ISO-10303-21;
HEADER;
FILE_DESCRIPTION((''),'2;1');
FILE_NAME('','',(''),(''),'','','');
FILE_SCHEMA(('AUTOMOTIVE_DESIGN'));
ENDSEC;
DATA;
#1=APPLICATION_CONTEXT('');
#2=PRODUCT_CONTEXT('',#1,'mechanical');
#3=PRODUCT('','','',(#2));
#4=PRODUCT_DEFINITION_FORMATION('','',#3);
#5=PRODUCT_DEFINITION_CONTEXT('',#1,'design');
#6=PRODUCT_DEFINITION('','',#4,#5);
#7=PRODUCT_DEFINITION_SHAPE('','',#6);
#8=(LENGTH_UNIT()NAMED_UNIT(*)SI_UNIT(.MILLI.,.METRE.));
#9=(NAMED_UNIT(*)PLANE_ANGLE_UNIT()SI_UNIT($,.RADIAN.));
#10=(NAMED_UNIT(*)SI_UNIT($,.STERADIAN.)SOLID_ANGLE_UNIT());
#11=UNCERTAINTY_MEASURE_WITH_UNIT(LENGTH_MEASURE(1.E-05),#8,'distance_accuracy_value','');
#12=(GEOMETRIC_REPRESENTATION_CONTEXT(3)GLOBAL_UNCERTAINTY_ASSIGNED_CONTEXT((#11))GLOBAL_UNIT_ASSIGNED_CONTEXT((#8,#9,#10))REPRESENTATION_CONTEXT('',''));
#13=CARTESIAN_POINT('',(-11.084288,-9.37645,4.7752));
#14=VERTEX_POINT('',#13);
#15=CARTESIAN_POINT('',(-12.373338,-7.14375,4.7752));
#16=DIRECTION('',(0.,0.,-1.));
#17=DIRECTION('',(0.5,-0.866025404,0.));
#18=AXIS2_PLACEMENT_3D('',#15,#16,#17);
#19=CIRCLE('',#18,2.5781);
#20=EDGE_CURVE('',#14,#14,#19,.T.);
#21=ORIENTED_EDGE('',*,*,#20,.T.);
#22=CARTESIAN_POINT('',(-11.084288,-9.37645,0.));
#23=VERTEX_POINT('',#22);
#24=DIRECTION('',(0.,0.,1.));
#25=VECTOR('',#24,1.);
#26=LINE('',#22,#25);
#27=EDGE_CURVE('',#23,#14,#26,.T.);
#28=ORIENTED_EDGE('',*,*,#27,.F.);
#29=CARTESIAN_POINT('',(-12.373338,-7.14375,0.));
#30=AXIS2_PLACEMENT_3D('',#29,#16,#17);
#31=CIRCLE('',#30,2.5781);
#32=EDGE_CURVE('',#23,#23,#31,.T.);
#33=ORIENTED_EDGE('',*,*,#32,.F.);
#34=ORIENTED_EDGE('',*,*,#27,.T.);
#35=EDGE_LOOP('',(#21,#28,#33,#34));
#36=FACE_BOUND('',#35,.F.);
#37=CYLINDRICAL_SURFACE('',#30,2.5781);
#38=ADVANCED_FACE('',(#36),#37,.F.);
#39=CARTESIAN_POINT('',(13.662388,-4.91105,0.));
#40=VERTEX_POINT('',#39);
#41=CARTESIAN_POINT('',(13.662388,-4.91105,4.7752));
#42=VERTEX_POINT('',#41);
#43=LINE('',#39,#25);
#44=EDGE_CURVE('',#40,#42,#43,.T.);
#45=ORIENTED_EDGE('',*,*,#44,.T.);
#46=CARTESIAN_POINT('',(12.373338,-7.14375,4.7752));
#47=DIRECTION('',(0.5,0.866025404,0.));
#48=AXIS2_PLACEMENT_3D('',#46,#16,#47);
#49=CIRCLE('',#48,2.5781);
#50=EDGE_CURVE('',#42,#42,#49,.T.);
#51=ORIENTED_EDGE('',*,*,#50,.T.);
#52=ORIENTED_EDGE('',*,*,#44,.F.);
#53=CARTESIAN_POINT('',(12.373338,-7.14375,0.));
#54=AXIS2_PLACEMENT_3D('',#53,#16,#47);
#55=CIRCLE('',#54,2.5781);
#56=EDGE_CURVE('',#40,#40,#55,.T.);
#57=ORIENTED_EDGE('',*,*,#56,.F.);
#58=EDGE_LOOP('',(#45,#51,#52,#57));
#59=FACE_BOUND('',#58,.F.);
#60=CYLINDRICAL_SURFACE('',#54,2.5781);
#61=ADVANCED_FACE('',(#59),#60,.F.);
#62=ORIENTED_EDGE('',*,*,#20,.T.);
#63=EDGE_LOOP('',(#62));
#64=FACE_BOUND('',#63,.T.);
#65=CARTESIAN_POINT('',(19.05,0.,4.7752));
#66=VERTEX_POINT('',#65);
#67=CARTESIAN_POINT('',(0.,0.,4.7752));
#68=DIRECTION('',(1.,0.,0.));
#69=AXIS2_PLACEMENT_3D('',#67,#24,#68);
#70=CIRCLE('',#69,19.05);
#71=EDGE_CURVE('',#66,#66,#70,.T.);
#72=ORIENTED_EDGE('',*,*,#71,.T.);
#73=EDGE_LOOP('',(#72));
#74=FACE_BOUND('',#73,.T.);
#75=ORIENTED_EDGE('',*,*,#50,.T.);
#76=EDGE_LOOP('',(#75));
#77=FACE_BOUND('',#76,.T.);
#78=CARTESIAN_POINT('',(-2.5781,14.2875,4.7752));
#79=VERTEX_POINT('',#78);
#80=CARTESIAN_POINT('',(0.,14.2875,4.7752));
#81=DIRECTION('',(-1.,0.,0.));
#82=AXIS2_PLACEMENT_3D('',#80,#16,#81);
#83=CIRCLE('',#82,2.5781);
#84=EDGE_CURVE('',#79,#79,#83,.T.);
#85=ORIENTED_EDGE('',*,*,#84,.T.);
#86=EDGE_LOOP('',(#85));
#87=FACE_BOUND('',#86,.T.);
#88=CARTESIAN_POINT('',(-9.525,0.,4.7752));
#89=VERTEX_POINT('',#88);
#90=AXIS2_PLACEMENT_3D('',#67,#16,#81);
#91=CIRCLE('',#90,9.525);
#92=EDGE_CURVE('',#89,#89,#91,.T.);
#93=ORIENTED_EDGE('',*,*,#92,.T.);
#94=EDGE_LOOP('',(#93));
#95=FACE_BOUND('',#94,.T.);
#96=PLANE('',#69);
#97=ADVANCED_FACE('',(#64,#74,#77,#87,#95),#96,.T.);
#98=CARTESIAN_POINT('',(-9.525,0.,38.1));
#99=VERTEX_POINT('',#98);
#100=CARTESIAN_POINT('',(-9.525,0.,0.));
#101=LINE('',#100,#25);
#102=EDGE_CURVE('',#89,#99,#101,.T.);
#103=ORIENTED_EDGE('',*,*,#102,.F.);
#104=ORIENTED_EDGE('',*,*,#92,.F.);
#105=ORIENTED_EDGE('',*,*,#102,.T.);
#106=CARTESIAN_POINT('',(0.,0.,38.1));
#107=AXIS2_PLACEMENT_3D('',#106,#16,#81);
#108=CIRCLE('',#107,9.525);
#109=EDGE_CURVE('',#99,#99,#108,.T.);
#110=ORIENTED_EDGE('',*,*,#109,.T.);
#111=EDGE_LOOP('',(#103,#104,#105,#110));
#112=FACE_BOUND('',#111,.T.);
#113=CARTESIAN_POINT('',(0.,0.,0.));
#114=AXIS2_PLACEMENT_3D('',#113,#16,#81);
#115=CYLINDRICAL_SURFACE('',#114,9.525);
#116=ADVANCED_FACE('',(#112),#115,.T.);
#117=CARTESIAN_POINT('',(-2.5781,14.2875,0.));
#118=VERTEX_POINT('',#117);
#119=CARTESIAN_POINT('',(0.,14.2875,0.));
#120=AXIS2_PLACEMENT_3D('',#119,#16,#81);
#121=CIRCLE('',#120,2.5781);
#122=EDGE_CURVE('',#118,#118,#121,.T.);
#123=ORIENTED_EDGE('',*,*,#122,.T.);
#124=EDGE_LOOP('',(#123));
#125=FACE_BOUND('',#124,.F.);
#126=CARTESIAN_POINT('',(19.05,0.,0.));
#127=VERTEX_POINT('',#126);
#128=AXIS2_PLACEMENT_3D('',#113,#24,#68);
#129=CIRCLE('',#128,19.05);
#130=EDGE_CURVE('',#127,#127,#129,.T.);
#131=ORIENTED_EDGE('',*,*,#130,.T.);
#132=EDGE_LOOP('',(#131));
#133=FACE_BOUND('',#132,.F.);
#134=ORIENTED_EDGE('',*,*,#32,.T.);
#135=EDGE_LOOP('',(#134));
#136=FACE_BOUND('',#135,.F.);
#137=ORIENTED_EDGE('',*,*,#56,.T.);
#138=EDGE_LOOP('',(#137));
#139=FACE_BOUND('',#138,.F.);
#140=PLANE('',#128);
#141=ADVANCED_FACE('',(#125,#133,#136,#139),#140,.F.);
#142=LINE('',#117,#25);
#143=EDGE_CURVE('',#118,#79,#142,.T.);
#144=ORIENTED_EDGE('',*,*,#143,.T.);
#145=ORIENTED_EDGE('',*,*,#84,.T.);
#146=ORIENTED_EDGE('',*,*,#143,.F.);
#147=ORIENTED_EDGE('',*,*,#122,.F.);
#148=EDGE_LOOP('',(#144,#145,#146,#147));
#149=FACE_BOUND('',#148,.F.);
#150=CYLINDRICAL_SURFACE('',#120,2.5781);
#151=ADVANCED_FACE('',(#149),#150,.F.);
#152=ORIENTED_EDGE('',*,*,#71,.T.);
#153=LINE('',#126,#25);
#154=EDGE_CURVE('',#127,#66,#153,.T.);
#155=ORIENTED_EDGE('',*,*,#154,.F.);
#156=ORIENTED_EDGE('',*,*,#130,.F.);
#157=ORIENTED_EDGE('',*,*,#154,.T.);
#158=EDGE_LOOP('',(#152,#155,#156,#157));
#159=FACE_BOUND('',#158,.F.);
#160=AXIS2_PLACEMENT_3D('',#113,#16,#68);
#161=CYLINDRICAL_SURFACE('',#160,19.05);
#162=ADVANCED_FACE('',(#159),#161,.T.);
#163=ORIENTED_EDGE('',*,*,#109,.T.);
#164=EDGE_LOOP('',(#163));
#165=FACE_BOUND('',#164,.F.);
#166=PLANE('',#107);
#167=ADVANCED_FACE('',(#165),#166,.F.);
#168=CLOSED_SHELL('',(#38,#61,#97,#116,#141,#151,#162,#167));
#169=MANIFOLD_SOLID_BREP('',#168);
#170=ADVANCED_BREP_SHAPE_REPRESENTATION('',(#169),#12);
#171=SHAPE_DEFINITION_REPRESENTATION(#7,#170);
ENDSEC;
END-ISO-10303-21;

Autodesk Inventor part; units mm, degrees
ref_plane "YZ Plane" through (0, 0, 0) normal (1, 0, 0) x (0, 1, 0)
ref_plane "XZ Plane" through (0, 0, 0) normal (0, 1, 0) x (-1, 0, 0)
ref_plane "XY Plane" through (0, 0, 0) normal (0, 0, 1) x (1, 0, 0)
sketch "Sketch1" plane through (0, 0, 0) normal (0, 0, 1) x (1, 0, 0)
  circle A0 centre (0, 0) radius 19.05
  dimension "d0" = 38.1
extrude "Extrusion1" add sketch "Sketch1" along normal blind 4.7752
sketch "Sketch2" plane through (0, 0, 0) normal (0, 0, -1) x (-1, 0, 0)
  circle A0 centre (0, 0) radius 19.05 projected
  circle A1 centre (0, 0) radius 9.525
  dimension "d5" = 19.05
extrude "Extrusion2" add sketch "Sketch2" against normal blind 38.1 contours A1
sketch "Sketch3" plane through (0, 0, 0) normal (0, 0, -1) x (-1, 0, 0)
  circle A0 centre (0, 0) radius 19.05 projected
  circle A1 centre (0, 14.2875) radius 2.5781
  dimension "d10" = 5.1562
  dimension "d12" = 14.2875
extrude "Extrusion3" cut sketch "Sketch3" against normal through all contours A1
pattern_circular "Circular Pattern1" count 3 over 360 about axis through (0, 0, 0) along (0, 0, 1) of "Extrusion3"
properties part number "LEAD NUT BLANK"
